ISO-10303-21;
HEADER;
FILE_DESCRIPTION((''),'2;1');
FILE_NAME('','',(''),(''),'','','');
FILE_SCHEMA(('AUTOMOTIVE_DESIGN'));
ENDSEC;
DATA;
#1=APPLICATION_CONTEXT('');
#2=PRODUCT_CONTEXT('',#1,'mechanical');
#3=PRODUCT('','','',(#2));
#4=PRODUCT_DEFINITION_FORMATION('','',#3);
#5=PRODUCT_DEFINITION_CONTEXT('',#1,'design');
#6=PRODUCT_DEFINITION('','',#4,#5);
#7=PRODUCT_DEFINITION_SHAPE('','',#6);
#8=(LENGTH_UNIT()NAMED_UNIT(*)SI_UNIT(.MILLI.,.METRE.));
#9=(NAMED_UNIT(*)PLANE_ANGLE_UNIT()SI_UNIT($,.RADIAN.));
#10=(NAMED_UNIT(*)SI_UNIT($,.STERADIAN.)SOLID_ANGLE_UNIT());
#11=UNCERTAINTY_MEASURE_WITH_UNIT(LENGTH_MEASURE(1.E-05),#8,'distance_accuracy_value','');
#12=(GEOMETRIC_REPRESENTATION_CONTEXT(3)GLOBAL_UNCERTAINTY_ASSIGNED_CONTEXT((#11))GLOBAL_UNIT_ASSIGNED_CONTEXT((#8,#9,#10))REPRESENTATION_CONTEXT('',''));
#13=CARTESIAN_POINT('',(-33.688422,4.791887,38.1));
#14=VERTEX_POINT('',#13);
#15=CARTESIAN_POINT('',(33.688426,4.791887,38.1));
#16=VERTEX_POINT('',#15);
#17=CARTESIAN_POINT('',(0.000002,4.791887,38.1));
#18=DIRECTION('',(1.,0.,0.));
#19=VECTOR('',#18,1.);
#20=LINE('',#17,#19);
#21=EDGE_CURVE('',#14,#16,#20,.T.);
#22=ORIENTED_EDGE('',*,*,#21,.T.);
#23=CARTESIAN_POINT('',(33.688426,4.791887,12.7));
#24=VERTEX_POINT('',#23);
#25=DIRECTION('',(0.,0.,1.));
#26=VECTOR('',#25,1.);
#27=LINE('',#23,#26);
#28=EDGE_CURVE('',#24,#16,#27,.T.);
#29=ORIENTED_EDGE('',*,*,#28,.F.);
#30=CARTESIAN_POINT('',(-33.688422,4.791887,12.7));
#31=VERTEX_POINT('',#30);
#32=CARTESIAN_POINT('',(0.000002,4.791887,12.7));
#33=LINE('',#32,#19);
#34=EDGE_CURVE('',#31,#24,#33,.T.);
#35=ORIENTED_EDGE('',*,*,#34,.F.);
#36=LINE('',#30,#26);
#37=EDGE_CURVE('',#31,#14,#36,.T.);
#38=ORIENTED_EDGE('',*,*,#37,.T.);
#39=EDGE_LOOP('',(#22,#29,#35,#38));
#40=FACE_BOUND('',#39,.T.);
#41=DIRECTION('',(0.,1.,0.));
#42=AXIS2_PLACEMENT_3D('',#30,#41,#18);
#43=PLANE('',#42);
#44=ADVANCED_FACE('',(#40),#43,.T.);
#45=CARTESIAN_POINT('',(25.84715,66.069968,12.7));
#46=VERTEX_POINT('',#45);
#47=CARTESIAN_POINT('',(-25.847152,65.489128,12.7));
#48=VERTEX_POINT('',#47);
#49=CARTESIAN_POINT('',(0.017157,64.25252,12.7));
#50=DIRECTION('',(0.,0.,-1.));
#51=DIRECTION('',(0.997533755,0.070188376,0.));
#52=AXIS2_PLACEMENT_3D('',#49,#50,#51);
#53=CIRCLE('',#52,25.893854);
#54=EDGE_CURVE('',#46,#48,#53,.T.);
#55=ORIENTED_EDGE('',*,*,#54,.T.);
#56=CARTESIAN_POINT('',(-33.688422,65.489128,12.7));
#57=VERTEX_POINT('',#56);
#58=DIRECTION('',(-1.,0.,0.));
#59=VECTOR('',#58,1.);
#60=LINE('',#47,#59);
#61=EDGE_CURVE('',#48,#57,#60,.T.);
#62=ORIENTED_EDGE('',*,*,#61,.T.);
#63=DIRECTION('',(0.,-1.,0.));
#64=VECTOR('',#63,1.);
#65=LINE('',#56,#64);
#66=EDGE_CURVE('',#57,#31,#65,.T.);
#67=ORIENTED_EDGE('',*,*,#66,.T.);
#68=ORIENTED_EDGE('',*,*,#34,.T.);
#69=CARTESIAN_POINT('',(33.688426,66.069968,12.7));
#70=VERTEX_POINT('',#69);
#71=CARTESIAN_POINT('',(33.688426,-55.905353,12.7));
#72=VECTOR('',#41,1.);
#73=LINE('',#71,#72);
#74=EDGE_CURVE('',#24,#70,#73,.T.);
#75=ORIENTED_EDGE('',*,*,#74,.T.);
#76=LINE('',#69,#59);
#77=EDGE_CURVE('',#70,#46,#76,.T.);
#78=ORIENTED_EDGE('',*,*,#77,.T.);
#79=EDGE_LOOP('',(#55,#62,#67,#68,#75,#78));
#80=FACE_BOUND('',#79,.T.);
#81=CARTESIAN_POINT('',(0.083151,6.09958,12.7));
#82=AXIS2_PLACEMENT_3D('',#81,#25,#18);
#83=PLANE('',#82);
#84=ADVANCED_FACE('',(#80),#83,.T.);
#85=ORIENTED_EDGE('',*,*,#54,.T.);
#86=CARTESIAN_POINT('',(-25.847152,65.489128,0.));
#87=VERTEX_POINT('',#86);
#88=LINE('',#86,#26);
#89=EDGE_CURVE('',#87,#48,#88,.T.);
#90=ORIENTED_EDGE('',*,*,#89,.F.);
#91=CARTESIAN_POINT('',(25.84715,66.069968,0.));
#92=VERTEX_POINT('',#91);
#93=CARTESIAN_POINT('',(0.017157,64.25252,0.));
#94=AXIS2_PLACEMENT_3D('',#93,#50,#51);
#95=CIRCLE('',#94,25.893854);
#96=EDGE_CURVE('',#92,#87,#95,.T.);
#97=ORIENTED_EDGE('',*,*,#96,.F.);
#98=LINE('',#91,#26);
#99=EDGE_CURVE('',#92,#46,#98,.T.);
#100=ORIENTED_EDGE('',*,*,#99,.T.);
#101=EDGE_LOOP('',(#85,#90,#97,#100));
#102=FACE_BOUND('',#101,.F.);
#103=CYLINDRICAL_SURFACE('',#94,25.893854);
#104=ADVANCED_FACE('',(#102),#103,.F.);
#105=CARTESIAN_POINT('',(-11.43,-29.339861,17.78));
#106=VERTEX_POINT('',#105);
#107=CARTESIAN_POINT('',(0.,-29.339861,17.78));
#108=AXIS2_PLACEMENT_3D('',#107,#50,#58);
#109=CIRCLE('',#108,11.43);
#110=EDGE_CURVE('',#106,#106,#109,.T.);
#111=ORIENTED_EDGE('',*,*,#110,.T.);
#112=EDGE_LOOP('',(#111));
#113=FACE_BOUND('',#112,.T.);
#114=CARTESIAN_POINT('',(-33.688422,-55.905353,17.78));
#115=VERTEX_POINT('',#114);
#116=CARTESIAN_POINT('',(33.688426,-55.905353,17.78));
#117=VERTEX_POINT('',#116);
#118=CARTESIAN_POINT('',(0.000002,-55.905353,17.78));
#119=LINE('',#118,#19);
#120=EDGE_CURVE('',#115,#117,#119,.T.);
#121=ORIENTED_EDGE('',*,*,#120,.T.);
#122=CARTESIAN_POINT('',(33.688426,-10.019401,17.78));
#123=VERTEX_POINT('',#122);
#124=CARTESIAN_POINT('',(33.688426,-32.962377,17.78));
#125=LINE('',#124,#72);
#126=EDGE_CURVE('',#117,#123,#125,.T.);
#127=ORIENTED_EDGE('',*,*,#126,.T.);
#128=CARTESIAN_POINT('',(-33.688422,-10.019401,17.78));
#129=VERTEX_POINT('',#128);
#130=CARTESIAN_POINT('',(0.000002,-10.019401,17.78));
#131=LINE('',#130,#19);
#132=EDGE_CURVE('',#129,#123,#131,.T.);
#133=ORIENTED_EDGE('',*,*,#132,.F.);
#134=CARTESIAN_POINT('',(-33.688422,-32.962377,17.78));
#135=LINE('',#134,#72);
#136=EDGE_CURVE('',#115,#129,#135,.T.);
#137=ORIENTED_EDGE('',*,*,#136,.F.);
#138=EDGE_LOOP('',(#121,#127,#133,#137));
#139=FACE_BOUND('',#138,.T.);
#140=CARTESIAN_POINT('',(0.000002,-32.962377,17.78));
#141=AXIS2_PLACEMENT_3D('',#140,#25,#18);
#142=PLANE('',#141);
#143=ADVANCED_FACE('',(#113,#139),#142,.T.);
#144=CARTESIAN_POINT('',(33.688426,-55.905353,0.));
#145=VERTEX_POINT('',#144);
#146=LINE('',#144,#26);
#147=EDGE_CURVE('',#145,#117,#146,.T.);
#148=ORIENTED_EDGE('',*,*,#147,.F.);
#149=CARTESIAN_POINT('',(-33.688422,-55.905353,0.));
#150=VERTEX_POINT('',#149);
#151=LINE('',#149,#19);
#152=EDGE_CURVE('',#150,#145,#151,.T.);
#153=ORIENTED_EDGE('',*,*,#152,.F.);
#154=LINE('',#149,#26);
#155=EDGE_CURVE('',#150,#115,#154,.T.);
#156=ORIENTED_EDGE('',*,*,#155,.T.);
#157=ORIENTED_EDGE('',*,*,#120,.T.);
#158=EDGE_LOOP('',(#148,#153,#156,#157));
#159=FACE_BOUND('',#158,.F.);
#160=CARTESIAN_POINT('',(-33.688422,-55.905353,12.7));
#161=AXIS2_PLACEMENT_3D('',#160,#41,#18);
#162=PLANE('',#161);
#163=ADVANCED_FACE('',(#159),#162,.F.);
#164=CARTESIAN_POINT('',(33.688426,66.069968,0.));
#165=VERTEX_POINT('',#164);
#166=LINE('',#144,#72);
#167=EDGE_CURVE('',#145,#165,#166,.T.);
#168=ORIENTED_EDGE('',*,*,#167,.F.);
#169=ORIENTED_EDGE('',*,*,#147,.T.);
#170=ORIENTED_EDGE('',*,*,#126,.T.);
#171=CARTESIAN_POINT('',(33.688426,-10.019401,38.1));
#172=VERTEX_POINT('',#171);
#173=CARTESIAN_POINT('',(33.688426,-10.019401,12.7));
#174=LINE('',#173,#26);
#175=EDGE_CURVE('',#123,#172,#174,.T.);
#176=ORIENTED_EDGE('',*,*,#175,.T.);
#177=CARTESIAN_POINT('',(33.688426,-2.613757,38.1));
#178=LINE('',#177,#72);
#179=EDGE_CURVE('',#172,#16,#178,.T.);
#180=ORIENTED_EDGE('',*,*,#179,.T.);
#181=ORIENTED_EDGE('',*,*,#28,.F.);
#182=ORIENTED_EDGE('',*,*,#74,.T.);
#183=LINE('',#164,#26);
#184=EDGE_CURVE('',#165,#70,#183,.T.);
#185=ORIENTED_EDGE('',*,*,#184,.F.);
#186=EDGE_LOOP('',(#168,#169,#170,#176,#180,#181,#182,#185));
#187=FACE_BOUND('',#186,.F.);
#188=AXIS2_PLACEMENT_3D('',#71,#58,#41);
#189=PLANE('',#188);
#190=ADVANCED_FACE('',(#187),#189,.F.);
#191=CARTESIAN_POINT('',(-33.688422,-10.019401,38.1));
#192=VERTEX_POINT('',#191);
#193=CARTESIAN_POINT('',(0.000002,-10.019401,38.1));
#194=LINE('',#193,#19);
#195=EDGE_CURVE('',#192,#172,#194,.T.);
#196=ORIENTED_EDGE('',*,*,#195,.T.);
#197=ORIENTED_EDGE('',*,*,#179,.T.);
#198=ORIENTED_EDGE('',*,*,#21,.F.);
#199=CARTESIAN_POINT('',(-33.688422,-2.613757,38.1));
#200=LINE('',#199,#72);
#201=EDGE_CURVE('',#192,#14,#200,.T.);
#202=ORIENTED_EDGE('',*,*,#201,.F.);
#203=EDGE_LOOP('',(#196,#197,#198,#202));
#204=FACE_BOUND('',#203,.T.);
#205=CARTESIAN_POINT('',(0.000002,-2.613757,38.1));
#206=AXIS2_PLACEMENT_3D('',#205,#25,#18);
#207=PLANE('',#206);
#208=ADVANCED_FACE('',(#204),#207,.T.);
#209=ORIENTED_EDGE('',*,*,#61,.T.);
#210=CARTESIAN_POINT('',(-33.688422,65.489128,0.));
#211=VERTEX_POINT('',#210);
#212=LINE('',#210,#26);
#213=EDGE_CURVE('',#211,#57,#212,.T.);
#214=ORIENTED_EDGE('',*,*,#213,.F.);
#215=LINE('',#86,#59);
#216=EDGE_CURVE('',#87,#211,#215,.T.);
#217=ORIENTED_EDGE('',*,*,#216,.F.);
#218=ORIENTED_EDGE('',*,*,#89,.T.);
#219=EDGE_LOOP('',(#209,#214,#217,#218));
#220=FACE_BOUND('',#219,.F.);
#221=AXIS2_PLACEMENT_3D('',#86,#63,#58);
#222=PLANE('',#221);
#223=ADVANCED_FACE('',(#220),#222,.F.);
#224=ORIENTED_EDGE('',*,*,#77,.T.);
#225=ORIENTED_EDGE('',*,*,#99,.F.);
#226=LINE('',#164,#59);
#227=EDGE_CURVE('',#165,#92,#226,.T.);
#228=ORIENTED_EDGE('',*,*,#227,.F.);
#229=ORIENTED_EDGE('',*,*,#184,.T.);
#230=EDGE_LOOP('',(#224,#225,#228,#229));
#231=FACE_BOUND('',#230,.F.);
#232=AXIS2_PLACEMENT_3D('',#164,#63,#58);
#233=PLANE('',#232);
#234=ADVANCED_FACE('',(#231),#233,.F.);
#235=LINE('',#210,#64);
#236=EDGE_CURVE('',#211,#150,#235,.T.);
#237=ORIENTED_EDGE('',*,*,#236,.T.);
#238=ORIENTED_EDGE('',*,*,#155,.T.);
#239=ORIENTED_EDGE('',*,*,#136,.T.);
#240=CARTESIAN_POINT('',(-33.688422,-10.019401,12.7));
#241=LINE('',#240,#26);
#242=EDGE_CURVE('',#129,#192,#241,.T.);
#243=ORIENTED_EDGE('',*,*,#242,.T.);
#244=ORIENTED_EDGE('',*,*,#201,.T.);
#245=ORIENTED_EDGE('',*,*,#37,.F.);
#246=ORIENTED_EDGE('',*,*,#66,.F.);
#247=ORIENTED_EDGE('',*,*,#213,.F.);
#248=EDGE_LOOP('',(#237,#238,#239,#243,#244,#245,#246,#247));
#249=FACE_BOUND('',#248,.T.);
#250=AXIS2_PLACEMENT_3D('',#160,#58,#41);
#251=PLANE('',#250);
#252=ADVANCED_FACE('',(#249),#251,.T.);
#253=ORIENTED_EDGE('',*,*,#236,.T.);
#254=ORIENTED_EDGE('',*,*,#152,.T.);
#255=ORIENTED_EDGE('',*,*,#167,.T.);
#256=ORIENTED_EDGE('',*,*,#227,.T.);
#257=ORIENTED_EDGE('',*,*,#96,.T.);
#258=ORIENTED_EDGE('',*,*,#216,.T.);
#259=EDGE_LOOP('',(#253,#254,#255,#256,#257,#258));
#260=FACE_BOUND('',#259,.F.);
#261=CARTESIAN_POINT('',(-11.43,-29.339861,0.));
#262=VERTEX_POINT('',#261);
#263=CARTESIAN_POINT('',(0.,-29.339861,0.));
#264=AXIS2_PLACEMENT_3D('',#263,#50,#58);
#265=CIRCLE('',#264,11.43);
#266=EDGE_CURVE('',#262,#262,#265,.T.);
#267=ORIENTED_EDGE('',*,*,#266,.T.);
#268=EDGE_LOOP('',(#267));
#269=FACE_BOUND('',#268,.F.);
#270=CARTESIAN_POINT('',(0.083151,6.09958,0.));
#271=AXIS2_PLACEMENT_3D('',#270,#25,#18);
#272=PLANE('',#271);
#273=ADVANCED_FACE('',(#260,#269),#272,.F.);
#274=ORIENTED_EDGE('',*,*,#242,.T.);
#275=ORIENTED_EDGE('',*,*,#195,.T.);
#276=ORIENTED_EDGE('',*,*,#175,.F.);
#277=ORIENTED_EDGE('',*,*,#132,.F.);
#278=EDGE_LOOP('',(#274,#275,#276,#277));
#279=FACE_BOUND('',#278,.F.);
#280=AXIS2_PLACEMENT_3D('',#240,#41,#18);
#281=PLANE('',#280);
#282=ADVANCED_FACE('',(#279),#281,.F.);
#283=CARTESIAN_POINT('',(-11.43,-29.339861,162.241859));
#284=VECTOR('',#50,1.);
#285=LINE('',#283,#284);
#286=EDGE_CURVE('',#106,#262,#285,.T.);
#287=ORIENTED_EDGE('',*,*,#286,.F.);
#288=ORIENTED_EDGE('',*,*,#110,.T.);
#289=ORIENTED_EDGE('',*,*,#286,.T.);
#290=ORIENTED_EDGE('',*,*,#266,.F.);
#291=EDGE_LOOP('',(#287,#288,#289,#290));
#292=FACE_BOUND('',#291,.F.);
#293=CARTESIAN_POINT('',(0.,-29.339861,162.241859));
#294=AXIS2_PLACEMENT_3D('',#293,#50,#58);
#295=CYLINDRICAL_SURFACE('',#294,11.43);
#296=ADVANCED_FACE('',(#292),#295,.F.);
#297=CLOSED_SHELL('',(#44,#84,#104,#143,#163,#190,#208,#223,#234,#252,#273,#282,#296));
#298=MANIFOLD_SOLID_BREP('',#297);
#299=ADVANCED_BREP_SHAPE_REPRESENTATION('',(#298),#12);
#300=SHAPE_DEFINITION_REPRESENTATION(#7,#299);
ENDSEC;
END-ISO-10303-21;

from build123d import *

# Parameters (mm, degrees)
F1_DEPTH = 12.7
F2_W     = 67.376848
F2_H     = 14.811288
F3_DEPTH = 25.4
F4_W     = 67.376848
F4_H     = 45.885952
F5_DEPTH = 5.08
F7_D     = 22.86


with BuildPart() as f1:
    # F0 (on Top) → F1 (new body)
    with BuildSketch(Plane.XY):
        with BuildLine():
            Line((-33.688422, 65.489128), (-33.688422, -55.905353))
            Line((-33.688422, -55.905353), (33.688426, -55.905353))
            Line((33.688426, -55.905353), (33.688426, 66.069968))
            Line((33.688426, 66.069968), (25.84715, 66.069968))
            ThreePointArc((25.84715, 66.069968), (0.308083, 38.360301), (-25.847152, 65.489128))
            Line((-25.847152, 65.489128), (-33.688422, 65.489128))
        make_face()
    extrude(amount=F1_DEPTH)

    # F2 (on face) → F3 (join)
    with BuildSketch(Plane.XY.offset(12.7)):
        with Locations((2e-06, -2.613757)):
            Rectangle(F2_W, F2_H)
    extrude(amount=F3_DEPTH)

    # F4 (on face) → F5 (join)
    with BuildSketch(Plane.XY.offset(12.7)):
        with Locations((2e-06, -32.962377)):
            Rectangle(F4_W, F4_H)
    extrude(amount=F5_DEPTH)

    # F7 (through all)
    with Locations(Plane.XY.offset(17.78)):
        with Locations((0, -29.339861)):
            Hole(F7_D / 2)


solid = f1.part
